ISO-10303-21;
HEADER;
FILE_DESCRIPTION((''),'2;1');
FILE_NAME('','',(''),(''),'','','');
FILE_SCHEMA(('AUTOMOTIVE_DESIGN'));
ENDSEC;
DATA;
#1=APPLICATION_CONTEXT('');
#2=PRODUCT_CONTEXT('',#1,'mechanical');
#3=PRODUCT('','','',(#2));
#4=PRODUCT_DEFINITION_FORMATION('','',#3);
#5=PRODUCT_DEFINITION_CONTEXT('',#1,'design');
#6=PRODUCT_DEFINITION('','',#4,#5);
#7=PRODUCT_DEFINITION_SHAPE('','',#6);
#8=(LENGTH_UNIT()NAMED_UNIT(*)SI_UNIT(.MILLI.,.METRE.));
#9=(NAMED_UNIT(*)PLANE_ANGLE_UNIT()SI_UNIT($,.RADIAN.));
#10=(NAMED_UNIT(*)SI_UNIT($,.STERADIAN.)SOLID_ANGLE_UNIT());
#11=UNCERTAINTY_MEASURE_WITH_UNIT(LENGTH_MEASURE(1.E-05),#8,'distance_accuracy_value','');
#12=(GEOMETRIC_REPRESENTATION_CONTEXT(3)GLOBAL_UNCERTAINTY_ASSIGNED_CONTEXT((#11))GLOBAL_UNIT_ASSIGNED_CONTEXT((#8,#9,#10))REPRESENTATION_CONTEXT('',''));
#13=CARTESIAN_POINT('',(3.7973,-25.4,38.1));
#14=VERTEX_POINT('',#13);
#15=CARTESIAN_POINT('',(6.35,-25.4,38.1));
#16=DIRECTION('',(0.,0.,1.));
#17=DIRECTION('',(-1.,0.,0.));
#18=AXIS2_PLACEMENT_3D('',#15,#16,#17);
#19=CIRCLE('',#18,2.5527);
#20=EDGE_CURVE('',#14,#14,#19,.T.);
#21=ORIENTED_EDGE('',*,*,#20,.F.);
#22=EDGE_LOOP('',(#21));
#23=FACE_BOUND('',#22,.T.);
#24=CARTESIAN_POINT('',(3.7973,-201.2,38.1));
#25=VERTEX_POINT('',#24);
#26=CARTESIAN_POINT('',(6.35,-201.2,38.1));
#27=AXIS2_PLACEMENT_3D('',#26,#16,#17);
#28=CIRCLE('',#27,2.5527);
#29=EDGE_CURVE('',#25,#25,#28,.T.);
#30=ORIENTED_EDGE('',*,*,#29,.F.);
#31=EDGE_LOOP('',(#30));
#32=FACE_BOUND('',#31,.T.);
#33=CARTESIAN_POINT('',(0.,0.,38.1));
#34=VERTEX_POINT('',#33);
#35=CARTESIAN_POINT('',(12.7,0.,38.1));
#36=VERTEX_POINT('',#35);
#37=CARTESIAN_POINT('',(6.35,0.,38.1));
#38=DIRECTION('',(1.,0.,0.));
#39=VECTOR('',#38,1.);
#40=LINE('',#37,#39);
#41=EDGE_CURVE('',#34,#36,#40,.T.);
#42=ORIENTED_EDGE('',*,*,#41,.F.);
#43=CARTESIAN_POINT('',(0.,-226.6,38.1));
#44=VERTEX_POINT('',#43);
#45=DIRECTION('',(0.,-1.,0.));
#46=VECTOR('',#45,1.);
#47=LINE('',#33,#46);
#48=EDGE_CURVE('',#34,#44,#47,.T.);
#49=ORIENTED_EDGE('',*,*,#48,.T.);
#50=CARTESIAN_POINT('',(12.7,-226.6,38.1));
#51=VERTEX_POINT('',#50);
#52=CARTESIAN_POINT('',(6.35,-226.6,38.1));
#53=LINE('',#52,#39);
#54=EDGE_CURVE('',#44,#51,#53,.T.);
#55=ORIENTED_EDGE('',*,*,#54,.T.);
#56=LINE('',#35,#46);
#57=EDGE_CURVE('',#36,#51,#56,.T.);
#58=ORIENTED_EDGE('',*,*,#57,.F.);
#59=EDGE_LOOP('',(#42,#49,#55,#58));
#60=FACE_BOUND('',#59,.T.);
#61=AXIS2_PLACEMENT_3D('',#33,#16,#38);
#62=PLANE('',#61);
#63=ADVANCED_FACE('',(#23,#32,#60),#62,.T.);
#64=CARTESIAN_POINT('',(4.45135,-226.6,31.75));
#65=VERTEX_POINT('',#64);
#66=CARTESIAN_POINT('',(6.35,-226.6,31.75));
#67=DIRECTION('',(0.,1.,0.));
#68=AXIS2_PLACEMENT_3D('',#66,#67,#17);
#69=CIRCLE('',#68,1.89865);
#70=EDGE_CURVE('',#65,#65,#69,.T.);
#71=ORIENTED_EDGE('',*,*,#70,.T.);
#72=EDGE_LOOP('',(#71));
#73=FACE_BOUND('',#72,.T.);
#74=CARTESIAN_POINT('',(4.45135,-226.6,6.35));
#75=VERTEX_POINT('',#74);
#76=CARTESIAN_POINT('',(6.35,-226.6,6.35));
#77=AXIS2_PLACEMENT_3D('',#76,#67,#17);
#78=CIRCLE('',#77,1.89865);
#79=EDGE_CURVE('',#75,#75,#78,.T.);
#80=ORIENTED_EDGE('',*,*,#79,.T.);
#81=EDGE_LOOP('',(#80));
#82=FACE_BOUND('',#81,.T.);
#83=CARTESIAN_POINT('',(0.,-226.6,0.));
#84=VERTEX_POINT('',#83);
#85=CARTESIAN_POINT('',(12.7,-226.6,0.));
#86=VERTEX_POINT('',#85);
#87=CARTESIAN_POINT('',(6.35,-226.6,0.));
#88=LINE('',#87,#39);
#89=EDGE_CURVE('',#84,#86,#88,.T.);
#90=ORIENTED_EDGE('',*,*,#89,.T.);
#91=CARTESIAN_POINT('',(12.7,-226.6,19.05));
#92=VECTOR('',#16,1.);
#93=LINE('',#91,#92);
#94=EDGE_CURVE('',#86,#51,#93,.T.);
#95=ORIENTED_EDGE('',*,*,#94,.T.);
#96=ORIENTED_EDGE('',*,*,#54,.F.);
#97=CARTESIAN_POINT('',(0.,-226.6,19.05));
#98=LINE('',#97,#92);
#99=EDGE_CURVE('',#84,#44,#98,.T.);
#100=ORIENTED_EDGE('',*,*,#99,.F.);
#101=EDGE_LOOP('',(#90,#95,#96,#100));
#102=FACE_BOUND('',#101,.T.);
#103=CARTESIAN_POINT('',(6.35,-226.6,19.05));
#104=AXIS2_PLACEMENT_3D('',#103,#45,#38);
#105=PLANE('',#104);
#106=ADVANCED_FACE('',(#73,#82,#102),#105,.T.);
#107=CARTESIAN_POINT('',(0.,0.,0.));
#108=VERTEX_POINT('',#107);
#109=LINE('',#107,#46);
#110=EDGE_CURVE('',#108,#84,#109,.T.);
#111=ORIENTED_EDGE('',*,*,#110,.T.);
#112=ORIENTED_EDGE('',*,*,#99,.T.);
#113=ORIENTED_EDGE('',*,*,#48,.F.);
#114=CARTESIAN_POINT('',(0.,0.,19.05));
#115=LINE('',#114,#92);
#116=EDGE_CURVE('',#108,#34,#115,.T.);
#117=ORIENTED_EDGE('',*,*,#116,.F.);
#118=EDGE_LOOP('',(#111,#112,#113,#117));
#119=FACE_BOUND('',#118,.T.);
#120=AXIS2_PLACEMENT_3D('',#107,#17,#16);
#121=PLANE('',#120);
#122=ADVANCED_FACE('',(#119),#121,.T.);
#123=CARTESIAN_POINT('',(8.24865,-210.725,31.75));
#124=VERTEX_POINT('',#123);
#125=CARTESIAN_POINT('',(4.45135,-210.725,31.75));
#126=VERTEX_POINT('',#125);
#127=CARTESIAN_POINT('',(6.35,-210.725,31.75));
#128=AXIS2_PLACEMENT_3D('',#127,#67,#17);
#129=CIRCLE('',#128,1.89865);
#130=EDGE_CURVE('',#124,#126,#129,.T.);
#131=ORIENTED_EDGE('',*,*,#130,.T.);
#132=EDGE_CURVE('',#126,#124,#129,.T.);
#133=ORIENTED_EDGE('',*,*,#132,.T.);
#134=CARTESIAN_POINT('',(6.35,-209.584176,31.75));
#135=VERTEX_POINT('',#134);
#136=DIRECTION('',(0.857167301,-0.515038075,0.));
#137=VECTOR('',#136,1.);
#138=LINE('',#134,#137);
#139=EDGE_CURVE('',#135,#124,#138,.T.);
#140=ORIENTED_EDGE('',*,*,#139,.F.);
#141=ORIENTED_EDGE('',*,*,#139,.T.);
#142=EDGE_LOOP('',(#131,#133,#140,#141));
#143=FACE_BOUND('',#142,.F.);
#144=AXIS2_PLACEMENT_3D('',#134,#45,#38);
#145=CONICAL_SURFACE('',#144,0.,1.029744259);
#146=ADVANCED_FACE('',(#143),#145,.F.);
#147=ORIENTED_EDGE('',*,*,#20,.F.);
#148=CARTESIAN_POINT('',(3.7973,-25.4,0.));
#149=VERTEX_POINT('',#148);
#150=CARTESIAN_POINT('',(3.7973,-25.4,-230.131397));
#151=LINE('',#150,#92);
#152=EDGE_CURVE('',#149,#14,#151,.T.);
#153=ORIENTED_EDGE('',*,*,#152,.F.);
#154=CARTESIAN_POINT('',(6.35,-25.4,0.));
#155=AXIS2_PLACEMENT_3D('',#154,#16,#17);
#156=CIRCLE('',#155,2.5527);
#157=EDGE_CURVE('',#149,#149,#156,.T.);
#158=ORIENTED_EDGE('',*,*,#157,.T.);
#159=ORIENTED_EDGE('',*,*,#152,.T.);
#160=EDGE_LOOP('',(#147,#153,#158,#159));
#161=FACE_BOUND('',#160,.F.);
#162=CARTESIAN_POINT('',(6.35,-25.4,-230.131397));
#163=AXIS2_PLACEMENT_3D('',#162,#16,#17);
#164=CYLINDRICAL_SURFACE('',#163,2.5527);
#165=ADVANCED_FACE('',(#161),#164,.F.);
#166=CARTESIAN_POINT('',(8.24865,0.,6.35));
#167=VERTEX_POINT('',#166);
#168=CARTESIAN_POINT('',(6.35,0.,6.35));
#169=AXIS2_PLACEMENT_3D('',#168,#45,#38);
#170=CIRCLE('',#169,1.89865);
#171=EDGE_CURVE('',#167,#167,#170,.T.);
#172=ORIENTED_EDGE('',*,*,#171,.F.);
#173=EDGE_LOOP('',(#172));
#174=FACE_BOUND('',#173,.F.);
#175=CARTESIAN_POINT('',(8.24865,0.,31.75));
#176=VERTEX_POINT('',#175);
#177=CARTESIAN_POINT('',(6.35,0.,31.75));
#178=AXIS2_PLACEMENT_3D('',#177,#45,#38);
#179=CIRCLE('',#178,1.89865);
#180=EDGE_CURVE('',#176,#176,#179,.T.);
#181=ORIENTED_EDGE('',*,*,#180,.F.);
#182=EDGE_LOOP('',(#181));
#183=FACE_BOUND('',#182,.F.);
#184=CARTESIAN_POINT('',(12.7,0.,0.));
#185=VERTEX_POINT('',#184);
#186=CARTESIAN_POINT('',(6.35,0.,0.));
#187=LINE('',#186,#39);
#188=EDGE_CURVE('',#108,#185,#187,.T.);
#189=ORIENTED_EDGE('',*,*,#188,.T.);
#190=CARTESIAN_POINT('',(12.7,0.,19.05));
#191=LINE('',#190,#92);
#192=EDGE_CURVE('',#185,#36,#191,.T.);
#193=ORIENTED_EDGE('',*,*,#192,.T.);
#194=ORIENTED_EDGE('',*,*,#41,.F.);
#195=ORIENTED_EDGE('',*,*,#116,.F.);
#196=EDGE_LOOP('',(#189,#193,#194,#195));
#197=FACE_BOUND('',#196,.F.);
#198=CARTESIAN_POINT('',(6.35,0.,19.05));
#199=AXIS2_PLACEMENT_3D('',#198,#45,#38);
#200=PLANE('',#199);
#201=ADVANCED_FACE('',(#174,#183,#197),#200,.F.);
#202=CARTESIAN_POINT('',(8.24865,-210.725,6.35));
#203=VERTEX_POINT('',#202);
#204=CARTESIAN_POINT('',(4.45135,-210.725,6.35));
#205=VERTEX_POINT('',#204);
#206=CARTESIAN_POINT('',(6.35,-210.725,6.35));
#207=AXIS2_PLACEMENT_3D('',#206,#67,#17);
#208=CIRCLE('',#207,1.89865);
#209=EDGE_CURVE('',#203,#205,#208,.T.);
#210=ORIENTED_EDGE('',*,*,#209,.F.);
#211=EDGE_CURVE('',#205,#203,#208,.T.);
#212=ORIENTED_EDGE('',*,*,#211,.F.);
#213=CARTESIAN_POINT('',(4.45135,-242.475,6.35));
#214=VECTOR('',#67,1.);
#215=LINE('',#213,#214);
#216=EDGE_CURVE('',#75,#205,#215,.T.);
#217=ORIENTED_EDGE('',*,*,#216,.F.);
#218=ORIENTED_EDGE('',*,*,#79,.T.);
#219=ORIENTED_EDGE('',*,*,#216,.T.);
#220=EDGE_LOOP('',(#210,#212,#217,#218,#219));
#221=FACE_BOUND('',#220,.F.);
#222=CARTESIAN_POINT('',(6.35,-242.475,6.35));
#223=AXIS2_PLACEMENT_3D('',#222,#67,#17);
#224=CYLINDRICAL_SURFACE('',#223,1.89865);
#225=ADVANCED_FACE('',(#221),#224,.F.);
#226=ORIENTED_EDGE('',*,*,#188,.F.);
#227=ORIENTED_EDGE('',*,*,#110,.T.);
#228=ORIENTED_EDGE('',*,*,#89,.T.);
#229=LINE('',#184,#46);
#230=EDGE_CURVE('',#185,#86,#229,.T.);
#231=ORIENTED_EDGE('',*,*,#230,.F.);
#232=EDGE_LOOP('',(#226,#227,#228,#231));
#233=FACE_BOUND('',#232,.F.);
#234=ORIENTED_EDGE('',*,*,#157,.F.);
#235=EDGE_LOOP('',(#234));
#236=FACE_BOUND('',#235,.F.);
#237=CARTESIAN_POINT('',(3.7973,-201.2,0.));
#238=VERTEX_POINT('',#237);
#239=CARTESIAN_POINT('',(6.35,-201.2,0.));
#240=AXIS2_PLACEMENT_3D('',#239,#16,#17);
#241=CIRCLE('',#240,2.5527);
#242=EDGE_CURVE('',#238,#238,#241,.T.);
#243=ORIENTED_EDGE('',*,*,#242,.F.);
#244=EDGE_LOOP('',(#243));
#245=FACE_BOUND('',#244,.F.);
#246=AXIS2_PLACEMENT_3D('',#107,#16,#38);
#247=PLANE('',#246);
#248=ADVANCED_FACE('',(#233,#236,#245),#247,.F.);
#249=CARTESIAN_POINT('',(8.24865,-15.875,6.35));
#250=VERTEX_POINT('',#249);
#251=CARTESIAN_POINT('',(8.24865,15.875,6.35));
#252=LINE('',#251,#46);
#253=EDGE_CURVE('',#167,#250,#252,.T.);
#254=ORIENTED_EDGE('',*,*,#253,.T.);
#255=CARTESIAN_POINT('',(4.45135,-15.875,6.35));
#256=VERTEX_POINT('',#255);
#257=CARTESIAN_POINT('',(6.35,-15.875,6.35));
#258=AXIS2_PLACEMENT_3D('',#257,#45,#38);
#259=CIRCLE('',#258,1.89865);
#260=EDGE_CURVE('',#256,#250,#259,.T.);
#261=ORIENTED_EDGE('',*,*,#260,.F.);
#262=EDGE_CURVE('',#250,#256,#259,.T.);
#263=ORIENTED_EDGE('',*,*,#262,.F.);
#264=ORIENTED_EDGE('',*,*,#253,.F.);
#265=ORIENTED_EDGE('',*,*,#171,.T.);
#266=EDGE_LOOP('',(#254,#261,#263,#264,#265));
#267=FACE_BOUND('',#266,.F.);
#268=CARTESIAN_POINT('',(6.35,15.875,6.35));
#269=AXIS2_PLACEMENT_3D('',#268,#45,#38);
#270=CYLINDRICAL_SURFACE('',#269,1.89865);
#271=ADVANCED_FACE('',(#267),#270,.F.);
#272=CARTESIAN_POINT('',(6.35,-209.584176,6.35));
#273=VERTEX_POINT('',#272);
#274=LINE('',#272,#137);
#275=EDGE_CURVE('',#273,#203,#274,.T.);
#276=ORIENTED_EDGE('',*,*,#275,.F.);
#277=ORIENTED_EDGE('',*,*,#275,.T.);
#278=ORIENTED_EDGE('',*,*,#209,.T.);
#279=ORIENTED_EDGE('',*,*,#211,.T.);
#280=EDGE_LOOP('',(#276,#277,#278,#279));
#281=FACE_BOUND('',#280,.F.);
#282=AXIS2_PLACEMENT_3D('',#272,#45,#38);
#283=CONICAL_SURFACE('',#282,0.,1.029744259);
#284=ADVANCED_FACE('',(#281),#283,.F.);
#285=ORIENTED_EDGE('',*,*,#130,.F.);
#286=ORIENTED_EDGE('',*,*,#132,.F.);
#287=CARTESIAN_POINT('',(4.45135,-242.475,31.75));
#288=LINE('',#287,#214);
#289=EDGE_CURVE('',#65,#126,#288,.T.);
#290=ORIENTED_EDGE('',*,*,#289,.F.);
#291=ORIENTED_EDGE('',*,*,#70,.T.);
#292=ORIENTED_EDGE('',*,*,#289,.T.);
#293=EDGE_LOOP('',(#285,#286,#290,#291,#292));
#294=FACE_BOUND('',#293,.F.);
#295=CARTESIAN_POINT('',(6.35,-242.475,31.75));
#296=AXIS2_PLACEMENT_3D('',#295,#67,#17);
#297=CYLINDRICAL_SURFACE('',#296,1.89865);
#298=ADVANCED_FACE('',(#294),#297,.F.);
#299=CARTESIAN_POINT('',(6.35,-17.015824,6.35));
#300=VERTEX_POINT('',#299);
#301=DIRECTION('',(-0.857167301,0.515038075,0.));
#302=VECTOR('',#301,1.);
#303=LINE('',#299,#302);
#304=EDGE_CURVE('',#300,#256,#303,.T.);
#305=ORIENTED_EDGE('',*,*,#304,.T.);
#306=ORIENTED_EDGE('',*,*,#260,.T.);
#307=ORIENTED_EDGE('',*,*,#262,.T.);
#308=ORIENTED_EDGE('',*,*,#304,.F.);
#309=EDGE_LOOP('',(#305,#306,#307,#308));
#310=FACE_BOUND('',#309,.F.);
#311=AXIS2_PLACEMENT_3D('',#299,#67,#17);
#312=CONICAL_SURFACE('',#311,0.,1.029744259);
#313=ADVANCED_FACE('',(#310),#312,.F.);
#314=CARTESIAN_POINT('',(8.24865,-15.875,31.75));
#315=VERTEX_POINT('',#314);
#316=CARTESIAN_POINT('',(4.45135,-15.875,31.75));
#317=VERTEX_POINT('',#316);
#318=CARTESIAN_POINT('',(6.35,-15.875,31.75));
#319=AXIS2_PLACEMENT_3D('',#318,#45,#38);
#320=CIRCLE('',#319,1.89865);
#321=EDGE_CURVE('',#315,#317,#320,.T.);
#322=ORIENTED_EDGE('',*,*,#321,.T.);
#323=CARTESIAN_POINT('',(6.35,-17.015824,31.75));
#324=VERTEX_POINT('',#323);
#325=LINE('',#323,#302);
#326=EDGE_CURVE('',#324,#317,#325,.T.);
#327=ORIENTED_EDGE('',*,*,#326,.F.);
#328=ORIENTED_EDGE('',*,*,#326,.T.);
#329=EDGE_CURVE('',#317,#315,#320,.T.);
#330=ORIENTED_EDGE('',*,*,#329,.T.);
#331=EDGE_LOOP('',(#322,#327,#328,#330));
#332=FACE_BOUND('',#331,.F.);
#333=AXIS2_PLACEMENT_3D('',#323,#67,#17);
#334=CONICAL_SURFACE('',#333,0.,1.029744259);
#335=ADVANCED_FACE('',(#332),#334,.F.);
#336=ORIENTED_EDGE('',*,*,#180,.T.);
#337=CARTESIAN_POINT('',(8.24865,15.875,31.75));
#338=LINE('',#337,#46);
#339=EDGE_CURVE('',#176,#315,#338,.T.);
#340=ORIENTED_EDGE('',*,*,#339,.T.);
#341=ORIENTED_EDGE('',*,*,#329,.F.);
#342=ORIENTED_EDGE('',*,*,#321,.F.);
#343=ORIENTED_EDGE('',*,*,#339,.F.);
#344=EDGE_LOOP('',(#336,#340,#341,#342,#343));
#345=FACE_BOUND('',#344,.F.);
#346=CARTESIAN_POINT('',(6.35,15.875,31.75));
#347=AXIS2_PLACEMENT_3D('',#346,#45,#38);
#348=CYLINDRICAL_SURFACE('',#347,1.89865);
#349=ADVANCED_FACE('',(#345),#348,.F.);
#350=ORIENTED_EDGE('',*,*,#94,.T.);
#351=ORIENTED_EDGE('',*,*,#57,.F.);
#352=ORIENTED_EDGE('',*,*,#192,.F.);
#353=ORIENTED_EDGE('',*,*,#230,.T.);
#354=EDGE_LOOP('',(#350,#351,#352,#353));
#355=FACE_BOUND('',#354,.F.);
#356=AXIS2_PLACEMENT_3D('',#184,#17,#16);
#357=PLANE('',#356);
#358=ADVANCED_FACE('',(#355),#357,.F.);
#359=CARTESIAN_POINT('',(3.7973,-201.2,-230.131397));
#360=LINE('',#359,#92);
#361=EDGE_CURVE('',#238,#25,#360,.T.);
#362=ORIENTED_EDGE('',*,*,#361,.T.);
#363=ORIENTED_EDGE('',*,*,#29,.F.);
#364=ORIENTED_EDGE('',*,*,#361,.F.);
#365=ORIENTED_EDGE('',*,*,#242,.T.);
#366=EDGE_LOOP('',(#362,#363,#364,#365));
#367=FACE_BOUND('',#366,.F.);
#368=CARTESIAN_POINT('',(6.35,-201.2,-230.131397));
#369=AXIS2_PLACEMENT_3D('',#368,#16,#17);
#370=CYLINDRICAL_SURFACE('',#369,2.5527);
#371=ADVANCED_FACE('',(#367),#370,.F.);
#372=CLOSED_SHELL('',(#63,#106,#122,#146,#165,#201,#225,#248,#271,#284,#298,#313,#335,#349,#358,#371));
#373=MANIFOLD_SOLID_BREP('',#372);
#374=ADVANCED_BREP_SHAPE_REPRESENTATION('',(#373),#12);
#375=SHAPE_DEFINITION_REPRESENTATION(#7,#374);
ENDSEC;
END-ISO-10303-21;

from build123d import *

# Parameters (mm, degrees)
F0_W     = 12.7
F0_H     = 38.1
F1_DEPTH = 226.6
F3_D     = 3.7973
F3_DEPTH = 15.875
F3_TIP   = 1.1408240143
F5_D     = 3.7973
F5_DEPTH = 15.875
F5_TIP   = 1.1408240143
F7_D     = 5.1054


with BuildPart() as f1:
    # F0 (on Front) → F1 (new body)
    with BuildSketch(Plane.XZ):
        with Locations((6.35, 19.05)):
            Rectangle(F0_W, F0_H)
    extrude(amount=F1_DEPTH)

    # F3
    with Locations(Plane.XZ.offset(226.6)):
        with Locations((6.35, 31.75), (6.35, 6.35)):
            Hole(F3_D / 2, depth=F3_DEPTH)
            with Locations((0, 0, -(F3_DEPTH + F3_TIP / 2))):  # 118° drill point
                Cone(0, F3_D / 2, F3_TIP, mode=Mode.SUBTRACT)

    # F5
    with Locations(Plane(origin=(0, 0, 0), x_dir=(-1, 0, 0), z_dir=(0, 1, 0))):
        with Locations((-6.35, 31.75), (-6.35, 6.35)):
            Hole(F5_D / 2, depth=F5_DEPTH)
            with Locations((0, 0, -(F5_DEPTH + F5_TIP / 2))):  # 118° drill point
                Cone(0, F5_D / 2, F5_TIP, mode=Mode.SUBTRACT)

    # F7 (through all)
    with Locations(Plane(origin=(0, 0, 0), x_dir=(1, 0, 0), z_dir=(0, 0, -1))):
        with Locations((6.35, 25.4), (6.35, 201.2)):
            Hole(F7_D / 2)


solid = f1.part
